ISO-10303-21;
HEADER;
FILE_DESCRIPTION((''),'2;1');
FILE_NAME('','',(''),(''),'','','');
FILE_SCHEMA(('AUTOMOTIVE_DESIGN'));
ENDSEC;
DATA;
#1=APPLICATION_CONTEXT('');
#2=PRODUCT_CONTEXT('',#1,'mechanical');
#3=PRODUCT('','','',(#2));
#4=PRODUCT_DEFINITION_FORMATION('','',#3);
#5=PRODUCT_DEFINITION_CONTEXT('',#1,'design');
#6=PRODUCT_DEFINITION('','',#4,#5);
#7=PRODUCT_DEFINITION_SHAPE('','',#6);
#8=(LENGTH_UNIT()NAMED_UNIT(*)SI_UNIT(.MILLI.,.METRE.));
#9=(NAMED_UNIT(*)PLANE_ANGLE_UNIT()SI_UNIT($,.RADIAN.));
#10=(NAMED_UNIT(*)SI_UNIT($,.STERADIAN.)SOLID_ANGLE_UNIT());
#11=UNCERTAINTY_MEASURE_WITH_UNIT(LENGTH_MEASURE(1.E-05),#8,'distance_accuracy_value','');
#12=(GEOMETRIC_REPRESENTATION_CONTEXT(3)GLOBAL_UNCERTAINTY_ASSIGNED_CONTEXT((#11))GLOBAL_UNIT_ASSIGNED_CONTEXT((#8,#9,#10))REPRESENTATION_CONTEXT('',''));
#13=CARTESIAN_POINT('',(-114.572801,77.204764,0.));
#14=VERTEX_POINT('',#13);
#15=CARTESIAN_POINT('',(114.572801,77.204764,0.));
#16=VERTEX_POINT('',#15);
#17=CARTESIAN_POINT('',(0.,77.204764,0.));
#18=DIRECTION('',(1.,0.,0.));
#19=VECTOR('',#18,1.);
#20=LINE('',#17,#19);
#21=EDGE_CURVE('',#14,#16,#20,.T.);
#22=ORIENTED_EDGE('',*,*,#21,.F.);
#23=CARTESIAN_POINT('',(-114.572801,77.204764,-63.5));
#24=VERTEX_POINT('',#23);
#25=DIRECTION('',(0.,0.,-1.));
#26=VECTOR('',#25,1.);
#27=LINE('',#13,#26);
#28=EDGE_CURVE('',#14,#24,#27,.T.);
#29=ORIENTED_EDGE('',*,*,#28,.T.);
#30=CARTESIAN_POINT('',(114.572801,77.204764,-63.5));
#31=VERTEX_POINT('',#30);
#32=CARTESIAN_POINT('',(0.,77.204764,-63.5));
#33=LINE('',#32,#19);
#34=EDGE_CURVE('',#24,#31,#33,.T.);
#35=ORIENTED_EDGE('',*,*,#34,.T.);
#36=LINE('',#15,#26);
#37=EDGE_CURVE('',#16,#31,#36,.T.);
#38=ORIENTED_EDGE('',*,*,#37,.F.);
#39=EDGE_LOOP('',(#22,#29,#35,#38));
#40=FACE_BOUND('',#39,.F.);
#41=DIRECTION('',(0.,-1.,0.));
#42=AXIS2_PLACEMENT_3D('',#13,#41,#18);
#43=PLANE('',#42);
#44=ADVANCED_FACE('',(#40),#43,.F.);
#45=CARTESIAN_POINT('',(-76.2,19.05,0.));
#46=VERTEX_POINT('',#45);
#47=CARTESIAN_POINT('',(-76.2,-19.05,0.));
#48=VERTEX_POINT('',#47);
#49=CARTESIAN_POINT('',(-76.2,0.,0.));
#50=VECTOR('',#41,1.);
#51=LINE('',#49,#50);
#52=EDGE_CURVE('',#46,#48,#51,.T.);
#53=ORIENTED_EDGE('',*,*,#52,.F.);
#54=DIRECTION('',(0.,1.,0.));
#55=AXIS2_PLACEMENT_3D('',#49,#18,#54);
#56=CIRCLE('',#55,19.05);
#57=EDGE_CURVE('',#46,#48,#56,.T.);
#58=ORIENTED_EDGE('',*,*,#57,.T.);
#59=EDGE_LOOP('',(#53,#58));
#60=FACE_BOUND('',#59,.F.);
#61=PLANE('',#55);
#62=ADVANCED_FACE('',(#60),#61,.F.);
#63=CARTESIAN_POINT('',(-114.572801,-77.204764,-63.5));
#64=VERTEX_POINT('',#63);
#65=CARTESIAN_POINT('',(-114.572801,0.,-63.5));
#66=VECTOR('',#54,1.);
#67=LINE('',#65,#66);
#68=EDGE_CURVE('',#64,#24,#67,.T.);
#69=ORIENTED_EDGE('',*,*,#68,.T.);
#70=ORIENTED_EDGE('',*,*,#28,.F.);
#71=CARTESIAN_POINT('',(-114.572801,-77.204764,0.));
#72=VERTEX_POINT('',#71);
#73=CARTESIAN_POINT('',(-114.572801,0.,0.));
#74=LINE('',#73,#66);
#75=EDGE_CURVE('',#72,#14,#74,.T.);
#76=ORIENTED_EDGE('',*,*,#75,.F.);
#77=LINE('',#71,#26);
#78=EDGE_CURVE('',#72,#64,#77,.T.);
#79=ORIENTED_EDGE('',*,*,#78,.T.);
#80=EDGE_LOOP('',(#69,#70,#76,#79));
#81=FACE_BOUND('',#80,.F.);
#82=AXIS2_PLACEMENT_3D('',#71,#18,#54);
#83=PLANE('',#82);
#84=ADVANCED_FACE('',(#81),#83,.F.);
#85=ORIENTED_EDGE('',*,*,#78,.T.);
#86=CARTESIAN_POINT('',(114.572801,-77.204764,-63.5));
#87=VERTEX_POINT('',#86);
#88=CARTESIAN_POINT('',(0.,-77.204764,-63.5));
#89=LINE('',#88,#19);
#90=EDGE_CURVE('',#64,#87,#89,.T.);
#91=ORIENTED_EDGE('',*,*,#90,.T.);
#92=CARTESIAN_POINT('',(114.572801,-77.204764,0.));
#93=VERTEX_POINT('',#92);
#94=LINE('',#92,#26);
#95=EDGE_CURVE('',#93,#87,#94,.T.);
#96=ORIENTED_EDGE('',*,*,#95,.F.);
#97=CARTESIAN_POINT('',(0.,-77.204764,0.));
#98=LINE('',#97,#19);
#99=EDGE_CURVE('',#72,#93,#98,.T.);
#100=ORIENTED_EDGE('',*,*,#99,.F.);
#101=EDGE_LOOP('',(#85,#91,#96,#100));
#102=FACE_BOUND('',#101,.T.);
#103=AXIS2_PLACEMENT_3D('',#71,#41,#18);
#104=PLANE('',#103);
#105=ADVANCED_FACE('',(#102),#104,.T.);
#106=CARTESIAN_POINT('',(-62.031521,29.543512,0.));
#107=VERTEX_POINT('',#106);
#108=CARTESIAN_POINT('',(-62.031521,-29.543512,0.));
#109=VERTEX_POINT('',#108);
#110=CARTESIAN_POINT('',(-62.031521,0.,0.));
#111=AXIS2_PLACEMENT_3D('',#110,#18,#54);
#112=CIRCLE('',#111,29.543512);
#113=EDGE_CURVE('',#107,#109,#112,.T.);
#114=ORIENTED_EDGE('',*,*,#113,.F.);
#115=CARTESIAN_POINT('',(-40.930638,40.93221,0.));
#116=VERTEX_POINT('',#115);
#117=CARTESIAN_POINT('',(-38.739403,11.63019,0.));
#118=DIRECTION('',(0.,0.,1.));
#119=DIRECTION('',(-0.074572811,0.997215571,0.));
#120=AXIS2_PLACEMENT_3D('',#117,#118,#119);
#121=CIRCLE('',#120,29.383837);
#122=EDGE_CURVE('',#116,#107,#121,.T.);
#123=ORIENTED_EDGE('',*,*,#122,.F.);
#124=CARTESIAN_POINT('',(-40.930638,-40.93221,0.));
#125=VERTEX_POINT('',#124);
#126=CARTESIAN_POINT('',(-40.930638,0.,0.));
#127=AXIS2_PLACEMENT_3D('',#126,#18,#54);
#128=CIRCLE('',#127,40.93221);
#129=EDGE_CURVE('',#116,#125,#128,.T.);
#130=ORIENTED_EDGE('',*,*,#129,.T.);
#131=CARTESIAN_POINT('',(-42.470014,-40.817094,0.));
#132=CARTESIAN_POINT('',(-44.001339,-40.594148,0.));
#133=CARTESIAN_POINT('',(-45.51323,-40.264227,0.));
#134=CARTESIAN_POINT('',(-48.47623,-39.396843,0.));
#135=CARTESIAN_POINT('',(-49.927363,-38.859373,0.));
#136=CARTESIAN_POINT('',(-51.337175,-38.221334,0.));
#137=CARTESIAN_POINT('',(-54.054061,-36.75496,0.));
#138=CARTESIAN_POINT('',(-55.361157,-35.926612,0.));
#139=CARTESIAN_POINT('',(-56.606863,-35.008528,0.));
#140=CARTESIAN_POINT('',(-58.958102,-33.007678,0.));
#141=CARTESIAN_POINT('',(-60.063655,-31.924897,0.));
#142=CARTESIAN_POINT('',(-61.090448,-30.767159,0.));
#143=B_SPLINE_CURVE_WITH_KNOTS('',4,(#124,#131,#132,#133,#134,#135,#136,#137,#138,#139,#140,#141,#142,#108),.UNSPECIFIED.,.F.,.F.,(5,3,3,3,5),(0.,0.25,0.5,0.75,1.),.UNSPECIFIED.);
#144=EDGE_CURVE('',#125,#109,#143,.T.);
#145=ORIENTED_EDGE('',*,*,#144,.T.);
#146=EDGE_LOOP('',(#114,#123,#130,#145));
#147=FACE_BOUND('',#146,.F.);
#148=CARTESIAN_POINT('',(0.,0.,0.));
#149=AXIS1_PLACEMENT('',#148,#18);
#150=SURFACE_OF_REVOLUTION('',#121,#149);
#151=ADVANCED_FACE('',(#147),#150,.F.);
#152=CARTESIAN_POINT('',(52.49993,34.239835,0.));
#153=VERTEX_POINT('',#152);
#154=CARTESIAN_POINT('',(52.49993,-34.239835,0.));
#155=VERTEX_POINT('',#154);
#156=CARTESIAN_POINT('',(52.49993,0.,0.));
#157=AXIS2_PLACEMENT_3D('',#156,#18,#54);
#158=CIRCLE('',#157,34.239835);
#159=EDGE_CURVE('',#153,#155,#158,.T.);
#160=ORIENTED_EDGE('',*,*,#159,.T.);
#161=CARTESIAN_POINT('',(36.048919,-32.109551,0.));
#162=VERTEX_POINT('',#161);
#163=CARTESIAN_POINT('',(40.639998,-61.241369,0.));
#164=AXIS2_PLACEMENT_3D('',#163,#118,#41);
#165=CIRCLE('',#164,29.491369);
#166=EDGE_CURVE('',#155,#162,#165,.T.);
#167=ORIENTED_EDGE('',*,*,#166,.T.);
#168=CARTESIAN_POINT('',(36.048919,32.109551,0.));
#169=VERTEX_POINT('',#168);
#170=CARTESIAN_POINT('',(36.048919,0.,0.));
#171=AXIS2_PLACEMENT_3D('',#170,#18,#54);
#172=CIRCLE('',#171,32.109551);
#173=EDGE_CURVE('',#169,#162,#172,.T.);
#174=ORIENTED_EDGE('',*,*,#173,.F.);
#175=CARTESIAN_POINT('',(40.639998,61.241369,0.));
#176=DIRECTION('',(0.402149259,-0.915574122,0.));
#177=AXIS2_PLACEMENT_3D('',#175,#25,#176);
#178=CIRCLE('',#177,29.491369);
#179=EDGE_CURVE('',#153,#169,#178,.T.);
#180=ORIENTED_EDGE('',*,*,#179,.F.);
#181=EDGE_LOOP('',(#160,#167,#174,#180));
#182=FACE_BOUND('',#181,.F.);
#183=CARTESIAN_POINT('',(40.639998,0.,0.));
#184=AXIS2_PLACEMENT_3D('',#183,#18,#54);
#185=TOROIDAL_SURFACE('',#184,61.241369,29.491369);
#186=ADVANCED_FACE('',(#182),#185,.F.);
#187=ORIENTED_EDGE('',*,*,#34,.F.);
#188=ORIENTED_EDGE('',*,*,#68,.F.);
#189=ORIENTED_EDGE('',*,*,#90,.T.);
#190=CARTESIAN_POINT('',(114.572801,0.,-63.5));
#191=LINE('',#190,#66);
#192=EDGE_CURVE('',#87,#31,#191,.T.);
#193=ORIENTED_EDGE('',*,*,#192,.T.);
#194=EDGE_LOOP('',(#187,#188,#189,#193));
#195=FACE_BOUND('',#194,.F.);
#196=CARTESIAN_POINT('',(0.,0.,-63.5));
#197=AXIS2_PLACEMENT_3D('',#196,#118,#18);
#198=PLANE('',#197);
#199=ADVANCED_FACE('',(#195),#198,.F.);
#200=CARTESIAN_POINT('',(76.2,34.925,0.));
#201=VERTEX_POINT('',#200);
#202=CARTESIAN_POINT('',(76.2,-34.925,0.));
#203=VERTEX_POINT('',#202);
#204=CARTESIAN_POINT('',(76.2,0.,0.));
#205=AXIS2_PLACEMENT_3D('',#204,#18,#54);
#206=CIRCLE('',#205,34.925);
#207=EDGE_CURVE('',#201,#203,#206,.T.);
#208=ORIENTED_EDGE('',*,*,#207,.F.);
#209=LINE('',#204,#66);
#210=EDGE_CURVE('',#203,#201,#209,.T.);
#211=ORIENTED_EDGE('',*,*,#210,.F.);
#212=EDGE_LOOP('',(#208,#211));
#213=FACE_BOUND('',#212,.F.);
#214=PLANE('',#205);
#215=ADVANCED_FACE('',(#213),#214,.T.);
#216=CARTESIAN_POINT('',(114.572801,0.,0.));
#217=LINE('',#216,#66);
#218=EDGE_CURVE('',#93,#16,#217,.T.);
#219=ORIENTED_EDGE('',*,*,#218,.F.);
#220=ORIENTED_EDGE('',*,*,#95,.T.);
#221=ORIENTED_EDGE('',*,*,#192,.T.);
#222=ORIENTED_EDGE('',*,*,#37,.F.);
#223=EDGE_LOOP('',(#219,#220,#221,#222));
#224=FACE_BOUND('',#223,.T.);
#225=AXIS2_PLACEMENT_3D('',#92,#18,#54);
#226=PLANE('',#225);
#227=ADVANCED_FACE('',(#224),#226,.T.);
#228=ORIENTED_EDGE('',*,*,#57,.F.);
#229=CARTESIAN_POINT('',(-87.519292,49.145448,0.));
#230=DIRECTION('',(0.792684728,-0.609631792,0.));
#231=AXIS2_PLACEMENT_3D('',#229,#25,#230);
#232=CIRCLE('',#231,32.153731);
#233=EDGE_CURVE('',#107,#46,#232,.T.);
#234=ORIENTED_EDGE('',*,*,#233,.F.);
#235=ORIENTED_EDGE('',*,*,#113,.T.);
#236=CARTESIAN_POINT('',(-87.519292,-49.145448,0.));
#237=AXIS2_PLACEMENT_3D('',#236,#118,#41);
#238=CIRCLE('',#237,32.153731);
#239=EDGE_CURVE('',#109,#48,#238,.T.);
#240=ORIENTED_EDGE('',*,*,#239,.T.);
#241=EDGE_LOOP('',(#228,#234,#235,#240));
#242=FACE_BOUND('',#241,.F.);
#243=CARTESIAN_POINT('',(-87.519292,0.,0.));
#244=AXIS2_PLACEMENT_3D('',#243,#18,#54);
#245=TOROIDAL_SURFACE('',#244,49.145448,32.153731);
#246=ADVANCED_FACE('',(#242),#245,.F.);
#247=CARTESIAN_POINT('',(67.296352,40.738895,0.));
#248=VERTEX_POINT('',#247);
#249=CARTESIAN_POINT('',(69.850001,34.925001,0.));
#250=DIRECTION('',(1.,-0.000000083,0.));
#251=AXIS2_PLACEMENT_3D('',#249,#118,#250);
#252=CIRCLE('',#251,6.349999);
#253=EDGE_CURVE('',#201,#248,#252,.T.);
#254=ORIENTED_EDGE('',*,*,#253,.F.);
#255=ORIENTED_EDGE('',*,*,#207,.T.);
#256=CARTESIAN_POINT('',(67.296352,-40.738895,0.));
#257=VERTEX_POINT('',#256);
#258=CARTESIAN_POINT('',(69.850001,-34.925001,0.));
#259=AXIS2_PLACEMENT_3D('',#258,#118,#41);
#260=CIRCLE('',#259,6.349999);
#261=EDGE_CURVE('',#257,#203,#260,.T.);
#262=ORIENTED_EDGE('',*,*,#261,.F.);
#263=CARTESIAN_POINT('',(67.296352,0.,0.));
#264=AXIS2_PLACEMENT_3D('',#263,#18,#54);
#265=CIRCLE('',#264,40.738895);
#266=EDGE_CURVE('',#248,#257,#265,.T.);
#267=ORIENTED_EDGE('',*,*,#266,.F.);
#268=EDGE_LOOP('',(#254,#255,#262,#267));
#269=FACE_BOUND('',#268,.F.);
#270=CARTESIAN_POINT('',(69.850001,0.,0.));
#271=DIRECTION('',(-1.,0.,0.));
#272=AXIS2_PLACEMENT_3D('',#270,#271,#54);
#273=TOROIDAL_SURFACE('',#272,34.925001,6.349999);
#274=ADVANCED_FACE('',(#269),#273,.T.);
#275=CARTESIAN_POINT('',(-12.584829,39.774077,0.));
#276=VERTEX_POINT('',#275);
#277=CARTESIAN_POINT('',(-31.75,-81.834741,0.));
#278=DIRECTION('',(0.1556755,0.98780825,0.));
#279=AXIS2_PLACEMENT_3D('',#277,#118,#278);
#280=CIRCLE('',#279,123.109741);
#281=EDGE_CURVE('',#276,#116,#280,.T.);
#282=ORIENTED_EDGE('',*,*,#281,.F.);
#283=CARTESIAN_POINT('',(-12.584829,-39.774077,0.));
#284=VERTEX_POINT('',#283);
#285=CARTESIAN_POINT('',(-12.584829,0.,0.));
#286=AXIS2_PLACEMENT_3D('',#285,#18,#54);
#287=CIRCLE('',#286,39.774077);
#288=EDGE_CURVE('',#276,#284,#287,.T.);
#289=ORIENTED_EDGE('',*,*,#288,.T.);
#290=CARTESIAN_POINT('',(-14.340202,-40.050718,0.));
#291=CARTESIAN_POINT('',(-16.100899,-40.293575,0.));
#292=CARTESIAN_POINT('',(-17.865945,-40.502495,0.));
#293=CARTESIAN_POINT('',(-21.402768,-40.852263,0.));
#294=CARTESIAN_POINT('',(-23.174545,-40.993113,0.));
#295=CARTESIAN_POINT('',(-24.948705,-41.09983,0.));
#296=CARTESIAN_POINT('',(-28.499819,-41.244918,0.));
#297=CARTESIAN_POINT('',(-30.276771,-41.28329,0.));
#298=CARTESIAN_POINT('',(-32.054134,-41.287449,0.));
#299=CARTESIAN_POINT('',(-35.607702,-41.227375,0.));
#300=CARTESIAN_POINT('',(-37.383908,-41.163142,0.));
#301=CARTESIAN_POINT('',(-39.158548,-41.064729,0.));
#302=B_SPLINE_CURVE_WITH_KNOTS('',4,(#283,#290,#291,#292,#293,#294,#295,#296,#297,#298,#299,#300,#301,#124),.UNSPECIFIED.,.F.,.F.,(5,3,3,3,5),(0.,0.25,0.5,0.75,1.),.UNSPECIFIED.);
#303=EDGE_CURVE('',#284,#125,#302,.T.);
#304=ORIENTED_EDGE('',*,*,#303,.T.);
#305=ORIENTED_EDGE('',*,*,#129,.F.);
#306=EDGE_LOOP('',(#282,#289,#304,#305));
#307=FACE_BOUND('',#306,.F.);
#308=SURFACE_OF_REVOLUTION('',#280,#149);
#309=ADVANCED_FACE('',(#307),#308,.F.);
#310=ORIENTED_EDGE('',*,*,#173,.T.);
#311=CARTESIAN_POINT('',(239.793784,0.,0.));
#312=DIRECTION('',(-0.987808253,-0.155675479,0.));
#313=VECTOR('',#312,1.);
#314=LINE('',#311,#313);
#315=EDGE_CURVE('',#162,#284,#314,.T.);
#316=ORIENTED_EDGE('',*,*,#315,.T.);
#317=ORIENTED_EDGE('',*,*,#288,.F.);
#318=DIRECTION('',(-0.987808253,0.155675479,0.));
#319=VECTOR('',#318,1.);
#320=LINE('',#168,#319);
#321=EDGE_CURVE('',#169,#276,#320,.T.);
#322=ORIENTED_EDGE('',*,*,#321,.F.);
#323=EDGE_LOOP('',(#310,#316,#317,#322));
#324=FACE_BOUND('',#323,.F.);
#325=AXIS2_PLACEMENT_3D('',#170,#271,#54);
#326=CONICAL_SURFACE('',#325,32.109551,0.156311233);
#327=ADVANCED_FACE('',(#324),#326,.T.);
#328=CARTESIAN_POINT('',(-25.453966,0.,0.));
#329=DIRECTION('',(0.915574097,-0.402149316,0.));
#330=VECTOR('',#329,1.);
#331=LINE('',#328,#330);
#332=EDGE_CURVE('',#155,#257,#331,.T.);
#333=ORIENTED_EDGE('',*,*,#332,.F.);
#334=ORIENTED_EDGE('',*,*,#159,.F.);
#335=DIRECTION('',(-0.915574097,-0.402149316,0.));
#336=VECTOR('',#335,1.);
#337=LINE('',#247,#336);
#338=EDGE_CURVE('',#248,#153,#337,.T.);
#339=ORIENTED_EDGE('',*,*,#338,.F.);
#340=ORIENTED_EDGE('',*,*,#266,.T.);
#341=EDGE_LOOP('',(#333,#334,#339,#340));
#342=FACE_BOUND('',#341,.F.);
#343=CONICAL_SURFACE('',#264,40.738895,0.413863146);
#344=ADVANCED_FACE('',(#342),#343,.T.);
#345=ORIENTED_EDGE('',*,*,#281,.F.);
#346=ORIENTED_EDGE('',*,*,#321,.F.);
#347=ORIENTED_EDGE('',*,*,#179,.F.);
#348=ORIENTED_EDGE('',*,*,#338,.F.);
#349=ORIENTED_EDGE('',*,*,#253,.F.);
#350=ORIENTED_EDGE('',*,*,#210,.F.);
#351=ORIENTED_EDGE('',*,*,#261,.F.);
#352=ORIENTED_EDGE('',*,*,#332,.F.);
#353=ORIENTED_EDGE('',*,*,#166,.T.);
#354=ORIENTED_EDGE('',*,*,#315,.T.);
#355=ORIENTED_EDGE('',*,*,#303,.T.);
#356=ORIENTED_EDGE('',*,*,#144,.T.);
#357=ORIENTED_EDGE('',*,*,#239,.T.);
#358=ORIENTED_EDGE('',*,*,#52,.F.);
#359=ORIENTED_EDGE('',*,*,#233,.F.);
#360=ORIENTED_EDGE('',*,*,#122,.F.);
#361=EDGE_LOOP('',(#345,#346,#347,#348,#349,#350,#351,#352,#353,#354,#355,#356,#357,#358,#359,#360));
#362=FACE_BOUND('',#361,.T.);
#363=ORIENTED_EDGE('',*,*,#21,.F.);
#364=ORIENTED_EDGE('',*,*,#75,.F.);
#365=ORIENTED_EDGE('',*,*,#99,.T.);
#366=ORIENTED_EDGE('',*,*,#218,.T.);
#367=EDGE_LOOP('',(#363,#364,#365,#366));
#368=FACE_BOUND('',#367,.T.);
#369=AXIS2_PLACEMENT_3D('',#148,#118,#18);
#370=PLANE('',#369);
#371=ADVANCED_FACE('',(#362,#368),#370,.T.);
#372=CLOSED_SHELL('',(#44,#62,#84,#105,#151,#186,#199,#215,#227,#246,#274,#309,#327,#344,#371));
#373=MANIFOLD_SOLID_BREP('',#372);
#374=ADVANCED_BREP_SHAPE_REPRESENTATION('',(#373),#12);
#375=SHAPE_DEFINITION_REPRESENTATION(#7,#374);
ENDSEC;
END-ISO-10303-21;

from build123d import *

# Parameters (mm, degrees)
F2_W     = 229.145602
F2_H     = 154.409528
F3_DEPTH = 63.5


with BuildPart() as f1:
    # F0 (on Top) → F1 (revolve)
    with BuildSketch(Plane.XY):
        with BuildLine():
            Line((-76.2, 19.05), (-76.2, 0))
            Line((-76.2, 0), (76.2, 0))
            Line((76.2, 0), (76.2, 34.925))
            ThreePointArc((76.2, 34.925), (73.321803, 40.241868), (67.296352, 40.738895))
            Line((67.296352, 40.738895), (52.49993, 34.239835))
            ThreePointArc((52.49993, 34.239835), (44.42729, 31.994194), (36.048919, 32.109551))
            Line((36.048919, 32.109551), (-12.584829, 39.774077))
            ThreePointArc((-12.584829, 39.774077), (-26.724262, 41.172374), (-40.930638, 40.93221))
            ThreePointArc((-40.930638, 40.93221), (-52.695618, 37.488147), (-62.031521, 29.543512))
            ThreePointArc((-62.031521, 29.543512), (-68.382458, 23.306641), (-76.2, 19.05))
        make_face()
    revolve(axis=Axis((0, 0, 0), (1, 0, 0)))

    # F2 (on Top) → F3 (join)
    with BuildSketch(Plane.XY):
        Rectangle(F2_W, F2_H)
    extrude(amount=-F3_DEPTH)


solid = f1.part
